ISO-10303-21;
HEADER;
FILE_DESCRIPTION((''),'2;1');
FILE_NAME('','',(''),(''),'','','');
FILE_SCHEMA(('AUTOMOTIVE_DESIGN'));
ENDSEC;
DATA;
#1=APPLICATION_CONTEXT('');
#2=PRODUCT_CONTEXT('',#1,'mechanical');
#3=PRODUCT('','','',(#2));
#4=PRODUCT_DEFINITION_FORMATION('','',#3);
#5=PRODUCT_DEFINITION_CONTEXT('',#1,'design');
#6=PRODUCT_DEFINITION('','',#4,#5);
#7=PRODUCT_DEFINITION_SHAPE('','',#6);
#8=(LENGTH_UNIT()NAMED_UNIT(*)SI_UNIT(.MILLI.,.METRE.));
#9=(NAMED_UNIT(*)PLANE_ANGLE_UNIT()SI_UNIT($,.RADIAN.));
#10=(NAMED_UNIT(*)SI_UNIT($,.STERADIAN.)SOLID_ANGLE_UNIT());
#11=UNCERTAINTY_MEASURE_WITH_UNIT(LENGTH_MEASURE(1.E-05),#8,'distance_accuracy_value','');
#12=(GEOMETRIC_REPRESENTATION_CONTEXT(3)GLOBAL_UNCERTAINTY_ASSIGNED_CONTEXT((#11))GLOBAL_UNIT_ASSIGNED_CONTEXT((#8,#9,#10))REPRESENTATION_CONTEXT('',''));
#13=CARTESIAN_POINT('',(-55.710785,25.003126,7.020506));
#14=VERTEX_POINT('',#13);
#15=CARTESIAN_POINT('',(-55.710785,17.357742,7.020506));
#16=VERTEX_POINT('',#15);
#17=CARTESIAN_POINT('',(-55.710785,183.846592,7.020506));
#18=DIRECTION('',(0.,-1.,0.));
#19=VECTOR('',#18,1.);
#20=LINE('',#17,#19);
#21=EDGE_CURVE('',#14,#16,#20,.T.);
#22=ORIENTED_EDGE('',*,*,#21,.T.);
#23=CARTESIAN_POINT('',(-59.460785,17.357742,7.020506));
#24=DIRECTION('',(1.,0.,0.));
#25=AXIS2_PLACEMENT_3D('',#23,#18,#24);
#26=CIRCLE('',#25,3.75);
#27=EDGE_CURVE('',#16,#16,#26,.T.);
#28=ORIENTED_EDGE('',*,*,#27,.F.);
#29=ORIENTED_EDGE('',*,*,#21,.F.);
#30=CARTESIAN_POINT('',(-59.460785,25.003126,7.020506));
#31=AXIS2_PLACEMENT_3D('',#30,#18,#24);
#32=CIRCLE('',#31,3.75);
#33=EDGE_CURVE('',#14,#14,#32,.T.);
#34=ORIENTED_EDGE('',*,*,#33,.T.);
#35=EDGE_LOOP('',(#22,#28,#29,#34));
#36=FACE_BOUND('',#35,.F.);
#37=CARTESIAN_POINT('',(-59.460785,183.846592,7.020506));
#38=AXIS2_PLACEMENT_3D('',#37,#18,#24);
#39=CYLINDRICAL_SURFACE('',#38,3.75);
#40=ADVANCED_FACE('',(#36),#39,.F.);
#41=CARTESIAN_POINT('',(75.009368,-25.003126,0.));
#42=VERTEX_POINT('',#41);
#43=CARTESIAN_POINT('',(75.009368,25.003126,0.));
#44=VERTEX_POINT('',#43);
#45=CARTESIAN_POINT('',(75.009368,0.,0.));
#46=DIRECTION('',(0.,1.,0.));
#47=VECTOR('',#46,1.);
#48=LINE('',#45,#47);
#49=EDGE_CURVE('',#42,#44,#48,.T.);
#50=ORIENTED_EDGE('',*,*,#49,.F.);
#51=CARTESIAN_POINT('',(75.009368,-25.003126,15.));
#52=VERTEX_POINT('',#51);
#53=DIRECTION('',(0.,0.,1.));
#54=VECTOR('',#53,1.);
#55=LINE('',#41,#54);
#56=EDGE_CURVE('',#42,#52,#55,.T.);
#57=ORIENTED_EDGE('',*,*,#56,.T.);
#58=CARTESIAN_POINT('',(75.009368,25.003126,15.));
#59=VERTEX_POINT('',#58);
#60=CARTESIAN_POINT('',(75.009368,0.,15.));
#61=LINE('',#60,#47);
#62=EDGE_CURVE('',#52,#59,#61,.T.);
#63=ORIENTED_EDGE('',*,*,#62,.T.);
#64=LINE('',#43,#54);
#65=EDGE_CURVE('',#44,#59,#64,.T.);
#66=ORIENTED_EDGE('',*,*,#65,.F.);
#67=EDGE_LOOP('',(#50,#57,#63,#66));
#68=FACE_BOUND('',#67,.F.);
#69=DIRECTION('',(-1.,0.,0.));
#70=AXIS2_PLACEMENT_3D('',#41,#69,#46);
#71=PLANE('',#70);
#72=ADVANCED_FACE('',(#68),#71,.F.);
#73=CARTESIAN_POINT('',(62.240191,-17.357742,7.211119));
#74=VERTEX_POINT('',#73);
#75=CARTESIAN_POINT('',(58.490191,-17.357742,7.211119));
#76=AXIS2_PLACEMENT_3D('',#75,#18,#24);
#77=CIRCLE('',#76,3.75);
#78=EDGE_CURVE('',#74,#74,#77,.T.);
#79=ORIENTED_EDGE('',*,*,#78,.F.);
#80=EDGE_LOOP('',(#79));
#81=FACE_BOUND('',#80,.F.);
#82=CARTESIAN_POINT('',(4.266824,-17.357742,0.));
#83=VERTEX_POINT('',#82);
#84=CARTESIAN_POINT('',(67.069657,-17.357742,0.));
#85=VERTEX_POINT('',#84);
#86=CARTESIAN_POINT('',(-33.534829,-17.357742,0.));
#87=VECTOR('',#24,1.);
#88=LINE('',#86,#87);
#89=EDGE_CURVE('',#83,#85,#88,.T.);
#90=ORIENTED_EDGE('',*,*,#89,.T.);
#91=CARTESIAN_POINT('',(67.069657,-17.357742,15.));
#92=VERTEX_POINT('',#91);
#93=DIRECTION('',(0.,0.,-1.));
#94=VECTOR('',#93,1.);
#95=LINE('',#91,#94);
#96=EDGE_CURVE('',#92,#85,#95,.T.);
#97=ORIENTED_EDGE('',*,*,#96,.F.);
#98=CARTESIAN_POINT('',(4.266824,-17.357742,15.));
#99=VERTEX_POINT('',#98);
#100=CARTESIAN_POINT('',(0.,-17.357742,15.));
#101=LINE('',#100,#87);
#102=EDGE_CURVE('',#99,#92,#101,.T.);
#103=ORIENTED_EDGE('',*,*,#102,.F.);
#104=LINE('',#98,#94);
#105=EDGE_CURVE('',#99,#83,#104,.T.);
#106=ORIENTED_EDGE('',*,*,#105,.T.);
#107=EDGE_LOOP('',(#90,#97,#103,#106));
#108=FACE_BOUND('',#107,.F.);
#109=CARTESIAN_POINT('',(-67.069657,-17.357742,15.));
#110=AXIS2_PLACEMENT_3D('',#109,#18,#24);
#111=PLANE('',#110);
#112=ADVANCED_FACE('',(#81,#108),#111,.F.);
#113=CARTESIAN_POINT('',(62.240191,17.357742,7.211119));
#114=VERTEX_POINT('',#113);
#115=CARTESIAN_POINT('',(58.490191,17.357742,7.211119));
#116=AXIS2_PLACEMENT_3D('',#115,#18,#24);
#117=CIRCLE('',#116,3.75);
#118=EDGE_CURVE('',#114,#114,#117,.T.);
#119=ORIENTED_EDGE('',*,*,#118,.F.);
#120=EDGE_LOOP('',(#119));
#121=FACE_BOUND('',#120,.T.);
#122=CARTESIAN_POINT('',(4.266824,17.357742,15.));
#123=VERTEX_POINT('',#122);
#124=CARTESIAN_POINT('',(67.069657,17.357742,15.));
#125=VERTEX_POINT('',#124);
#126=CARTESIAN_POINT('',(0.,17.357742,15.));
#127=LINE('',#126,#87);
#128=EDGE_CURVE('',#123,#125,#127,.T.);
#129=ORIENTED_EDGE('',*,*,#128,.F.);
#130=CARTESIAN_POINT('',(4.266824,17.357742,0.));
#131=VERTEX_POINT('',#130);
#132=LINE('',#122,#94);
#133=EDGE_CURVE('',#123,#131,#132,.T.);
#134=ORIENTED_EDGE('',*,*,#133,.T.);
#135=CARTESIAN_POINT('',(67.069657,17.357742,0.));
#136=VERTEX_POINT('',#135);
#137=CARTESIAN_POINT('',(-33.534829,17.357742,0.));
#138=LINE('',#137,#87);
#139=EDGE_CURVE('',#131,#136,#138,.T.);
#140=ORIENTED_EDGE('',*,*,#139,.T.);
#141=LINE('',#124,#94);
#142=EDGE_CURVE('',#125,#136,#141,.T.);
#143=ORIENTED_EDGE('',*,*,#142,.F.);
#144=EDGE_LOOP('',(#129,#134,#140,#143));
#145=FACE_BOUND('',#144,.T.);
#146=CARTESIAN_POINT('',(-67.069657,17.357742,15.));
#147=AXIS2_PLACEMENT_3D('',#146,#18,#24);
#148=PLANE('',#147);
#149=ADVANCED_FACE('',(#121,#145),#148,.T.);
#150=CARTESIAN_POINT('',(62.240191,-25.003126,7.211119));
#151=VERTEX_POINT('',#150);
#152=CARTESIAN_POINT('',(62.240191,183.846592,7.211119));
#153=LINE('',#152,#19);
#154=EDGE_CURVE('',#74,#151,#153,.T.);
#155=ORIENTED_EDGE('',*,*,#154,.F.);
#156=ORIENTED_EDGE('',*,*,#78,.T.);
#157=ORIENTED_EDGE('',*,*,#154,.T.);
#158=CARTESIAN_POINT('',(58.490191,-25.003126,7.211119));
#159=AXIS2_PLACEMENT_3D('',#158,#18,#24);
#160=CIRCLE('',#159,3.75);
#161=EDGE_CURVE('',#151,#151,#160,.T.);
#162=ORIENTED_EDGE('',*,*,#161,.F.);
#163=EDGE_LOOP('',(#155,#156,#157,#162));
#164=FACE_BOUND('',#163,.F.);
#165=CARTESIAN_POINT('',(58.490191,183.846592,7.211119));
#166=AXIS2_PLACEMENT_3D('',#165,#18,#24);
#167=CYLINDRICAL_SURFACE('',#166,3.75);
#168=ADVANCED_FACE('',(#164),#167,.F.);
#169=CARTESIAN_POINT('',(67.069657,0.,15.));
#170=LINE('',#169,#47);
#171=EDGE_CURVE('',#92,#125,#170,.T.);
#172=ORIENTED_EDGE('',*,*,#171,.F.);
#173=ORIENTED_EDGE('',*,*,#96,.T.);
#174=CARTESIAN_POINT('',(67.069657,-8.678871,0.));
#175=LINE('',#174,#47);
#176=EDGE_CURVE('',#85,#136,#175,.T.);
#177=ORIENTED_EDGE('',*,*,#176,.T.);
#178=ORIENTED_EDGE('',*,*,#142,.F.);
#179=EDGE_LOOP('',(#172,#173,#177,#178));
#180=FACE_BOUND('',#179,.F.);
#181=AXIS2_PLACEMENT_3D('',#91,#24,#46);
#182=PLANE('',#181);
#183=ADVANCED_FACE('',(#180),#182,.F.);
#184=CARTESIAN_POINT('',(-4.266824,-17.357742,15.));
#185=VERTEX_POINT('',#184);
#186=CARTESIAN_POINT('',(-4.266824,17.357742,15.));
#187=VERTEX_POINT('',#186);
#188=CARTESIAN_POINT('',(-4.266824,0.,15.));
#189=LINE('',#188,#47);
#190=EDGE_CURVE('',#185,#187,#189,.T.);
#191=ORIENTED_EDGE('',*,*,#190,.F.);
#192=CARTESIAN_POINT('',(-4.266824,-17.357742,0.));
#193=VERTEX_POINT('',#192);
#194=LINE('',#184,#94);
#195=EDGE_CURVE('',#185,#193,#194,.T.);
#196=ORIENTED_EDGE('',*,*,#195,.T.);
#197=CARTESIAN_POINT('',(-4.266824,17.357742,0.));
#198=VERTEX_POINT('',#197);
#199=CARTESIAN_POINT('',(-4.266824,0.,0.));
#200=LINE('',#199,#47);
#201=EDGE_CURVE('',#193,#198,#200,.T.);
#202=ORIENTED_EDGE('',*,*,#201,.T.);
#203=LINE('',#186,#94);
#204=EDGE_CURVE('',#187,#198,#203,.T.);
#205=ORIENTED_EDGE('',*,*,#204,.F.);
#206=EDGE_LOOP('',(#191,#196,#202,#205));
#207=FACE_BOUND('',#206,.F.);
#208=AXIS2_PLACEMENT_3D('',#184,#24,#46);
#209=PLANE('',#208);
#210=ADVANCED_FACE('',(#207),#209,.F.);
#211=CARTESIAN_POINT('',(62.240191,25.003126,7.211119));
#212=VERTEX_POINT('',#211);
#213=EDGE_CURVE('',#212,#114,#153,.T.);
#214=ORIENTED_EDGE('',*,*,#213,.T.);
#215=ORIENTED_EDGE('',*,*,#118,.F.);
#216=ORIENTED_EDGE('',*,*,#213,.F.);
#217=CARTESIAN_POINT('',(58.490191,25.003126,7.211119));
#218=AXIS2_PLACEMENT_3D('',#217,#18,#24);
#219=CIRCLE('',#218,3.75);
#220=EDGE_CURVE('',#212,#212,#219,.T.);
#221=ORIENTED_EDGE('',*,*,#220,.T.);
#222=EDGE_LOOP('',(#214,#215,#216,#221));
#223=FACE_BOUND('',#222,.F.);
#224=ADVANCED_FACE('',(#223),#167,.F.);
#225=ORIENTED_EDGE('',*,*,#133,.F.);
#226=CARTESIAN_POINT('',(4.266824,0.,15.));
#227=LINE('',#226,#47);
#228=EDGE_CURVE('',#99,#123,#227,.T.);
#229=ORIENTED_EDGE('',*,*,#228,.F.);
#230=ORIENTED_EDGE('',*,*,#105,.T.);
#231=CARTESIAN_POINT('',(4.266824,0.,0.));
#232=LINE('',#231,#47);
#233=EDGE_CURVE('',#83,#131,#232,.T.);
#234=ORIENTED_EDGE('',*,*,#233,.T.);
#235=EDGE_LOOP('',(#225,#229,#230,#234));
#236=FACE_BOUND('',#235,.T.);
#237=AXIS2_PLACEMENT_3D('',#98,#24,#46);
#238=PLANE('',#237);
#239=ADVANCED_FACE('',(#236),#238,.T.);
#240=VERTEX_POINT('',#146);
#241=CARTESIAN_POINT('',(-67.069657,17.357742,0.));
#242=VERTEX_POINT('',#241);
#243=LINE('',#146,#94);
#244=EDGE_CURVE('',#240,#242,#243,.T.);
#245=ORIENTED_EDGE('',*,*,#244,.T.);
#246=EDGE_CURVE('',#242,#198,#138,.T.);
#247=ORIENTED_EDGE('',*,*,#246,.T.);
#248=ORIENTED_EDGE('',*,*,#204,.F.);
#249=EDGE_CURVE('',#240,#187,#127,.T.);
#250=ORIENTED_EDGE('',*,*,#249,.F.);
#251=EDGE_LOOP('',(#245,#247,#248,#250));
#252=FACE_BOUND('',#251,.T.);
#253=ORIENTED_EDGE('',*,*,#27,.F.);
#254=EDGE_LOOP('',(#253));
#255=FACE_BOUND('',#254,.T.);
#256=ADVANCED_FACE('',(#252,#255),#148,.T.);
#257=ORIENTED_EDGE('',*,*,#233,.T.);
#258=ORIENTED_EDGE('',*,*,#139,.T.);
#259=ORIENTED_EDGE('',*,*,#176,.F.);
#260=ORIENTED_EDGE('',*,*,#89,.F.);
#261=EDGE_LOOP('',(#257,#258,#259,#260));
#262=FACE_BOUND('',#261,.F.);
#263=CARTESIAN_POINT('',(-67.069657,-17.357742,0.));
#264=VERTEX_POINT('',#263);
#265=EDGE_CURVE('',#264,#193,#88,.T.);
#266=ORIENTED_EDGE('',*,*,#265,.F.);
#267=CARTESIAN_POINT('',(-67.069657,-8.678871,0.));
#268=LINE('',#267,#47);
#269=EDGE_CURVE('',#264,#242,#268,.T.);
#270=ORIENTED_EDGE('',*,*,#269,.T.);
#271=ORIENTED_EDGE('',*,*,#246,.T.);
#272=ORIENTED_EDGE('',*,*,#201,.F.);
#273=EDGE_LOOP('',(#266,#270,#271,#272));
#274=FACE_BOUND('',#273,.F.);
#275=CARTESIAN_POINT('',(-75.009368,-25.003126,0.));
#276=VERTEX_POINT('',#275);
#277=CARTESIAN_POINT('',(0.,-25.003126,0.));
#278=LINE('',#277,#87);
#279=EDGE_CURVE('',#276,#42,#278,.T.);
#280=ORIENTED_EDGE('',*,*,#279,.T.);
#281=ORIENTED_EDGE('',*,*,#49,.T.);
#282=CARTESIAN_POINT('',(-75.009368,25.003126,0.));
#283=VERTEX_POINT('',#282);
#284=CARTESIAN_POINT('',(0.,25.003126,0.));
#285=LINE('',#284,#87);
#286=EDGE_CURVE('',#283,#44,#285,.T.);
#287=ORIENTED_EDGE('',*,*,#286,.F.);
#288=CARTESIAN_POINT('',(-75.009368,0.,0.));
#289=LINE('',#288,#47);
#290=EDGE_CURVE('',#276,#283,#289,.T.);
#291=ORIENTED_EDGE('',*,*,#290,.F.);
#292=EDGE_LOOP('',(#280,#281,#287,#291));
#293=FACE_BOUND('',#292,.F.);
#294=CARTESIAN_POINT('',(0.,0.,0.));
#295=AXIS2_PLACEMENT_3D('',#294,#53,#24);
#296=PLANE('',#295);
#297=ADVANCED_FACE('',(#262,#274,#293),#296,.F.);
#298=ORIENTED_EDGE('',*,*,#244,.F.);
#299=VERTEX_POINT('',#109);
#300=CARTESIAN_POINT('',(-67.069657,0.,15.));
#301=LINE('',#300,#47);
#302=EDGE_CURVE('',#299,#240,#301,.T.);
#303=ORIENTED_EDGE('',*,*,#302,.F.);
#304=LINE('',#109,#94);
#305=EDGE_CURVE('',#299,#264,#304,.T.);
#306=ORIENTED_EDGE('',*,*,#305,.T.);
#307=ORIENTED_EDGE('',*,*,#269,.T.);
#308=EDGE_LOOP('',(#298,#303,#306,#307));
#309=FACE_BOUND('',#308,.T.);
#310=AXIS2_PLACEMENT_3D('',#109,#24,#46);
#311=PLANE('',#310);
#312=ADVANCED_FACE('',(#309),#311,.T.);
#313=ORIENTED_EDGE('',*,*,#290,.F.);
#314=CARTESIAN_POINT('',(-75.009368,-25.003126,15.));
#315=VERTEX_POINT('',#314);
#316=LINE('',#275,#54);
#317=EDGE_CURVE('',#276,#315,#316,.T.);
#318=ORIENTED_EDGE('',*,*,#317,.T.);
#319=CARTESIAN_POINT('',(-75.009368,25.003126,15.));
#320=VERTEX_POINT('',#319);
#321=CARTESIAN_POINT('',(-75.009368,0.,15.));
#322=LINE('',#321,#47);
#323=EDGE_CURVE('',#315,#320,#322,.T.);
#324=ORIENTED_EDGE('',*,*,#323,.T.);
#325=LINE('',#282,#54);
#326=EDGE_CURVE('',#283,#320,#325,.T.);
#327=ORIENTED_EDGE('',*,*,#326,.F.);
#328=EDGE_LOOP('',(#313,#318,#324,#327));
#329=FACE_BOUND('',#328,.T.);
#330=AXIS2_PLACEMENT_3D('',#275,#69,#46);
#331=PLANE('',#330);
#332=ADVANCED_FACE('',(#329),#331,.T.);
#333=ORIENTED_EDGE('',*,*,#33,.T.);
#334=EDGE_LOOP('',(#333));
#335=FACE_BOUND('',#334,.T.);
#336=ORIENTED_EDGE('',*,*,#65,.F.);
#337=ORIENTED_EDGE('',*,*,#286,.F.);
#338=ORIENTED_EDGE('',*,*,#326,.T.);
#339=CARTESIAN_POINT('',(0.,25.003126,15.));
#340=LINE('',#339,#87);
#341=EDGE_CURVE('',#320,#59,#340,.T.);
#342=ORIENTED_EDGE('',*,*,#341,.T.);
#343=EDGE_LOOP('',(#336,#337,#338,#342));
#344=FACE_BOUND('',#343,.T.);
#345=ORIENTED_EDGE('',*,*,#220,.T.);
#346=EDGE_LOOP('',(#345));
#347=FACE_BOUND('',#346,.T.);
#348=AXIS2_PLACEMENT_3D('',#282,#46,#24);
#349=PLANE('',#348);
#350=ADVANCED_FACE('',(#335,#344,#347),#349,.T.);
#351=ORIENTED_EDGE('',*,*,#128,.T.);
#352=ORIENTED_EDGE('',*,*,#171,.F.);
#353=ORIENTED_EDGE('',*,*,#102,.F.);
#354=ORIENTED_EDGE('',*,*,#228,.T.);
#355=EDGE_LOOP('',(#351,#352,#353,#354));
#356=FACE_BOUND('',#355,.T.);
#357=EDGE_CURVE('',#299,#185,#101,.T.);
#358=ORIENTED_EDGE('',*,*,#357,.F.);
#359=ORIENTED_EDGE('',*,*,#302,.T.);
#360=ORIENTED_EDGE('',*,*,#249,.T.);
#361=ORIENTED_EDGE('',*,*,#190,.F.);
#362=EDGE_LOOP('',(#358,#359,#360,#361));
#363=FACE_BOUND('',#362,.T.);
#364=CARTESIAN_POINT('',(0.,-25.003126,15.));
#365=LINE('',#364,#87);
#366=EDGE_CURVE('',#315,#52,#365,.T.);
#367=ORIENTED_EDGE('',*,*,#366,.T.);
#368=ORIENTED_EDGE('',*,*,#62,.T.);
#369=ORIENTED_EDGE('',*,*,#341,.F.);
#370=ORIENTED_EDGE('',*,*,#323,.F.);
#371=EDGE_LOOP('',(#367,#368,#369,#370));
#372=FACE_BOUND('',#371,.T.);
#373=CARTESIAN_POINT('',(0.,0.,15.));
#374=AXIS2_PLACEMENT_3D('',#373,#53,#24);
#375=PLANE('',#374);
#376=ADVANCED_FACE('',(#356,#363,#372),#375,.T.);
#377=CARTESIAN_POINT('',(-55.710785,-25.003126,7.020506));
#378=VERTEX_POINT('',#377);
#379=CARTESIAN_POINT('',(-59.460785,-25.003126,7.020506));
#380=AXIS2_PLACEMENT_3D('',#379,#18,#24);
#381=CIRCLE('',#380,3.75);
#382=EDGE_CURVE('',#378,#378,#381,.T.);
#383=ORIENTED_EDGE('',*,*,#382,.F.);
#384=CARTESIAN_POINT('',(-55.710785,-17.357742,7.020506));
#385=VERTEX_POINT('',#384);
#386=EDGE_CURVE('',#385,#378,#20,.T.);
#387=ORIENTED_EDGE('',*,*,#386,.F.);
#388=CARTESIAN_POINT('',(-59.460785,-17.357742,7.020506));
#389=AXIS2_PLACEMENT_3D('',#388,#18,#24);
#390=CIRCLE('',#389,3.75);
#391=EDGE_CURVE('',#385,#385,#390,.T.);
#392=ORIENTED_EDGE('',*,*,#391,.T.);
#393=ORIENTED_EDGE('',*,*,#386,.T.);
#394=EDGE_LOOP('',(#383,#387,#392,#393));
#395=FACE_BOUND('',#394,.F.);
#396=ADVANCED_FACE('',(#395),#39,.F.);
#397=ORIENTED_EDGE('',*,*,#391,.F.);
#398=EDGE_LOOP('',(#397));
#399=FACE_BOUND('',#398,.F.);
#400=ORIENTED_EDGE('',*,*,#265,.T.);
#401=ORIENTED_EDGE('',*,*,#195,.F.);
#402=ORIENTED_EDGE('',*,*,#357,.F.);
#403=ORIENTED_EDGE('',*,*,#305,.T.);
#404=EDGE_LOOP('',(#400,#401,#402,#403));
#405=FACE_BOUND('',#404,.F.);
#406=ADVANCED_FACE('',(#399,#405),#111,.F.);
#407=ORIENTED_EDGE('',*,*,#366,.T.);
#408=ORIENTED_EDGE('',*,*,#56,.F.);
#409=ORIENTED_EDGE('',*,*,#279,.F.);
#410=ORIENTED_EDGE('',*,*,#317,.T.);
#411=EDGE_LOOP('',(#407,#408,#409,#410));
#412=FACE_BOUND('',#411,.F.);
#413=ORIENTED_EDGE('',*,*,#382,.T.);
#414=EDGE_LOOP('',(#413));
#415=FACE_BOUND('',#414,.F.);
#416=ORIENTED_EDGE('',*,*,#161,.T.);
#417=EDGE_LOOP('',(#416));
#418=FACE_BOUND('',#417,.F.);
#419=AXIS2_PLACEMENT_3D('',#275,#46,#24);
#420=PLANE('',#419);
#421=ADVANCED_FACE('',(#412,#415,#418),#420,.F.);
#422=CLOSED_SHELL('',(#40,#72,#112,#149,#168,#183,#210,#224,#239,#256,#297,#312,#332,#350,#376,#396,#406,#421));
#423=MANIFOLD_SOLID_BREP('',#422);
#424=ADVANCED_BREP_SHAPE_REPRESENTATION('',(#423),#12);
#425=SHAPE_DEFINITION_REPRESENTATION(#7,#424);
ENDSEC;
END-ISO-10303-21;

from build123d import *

# Parameters (mm, degrees)
F0_W     = 150.0187367201
F0_H     = 50.0062517822
F1_DEPTH = 15
F4_W     = 134.1393142939
F4_H     = 34.7154848278
F5_DEPTH = 39.6
F6_W     = 8.5336472839
F6_H     = 34.7154848278
F7_DEPTH = 15
F9_D     = 7.5
F11_D    = 7.5


with BuildPart() as f1:
    # F0 (on Top) → F1 (new body)
    with BuildSketch(Plane.XY):
        Rectangle(F0_W, F0_H)
    extrude(amount=F1_DEPTH)

    # F4 (on face) → F5 (cut)
    with BuildSketch(Plane.XY.offset(15)):
        Rectangle(F4_W, F4_H)
    extrude(amount=-F5_DEPTH, mode=Mode.SUBTRACT)

    # F6 (on face) → F7 (join)
    with BuildSketch(Plane.XY.offset(15)):
        Rectangle(F6_W, F6_H)
    extrude(amount=-F7_DEPTH)

    # F9 (through all)
    with Locations(Plane(origin=(0, 25.0031258911, 0), x_dir=(-1, 0, 0), z_dir=(0, 1, 0))):
        with Locations((-58.490190655, 7.2111194022)):
            Hole(F9_D / 2)

    # F11 (through all)
    with Locations(Plane(origin=(0, 25.0031258911, 0), x_dir=(-1, 0, 0), z_dir=(0, 1, 0))):
        with Locations((59.4607852399, 7.0205056109)):
            Hole(F11_D / 2)


solid = f1.part
